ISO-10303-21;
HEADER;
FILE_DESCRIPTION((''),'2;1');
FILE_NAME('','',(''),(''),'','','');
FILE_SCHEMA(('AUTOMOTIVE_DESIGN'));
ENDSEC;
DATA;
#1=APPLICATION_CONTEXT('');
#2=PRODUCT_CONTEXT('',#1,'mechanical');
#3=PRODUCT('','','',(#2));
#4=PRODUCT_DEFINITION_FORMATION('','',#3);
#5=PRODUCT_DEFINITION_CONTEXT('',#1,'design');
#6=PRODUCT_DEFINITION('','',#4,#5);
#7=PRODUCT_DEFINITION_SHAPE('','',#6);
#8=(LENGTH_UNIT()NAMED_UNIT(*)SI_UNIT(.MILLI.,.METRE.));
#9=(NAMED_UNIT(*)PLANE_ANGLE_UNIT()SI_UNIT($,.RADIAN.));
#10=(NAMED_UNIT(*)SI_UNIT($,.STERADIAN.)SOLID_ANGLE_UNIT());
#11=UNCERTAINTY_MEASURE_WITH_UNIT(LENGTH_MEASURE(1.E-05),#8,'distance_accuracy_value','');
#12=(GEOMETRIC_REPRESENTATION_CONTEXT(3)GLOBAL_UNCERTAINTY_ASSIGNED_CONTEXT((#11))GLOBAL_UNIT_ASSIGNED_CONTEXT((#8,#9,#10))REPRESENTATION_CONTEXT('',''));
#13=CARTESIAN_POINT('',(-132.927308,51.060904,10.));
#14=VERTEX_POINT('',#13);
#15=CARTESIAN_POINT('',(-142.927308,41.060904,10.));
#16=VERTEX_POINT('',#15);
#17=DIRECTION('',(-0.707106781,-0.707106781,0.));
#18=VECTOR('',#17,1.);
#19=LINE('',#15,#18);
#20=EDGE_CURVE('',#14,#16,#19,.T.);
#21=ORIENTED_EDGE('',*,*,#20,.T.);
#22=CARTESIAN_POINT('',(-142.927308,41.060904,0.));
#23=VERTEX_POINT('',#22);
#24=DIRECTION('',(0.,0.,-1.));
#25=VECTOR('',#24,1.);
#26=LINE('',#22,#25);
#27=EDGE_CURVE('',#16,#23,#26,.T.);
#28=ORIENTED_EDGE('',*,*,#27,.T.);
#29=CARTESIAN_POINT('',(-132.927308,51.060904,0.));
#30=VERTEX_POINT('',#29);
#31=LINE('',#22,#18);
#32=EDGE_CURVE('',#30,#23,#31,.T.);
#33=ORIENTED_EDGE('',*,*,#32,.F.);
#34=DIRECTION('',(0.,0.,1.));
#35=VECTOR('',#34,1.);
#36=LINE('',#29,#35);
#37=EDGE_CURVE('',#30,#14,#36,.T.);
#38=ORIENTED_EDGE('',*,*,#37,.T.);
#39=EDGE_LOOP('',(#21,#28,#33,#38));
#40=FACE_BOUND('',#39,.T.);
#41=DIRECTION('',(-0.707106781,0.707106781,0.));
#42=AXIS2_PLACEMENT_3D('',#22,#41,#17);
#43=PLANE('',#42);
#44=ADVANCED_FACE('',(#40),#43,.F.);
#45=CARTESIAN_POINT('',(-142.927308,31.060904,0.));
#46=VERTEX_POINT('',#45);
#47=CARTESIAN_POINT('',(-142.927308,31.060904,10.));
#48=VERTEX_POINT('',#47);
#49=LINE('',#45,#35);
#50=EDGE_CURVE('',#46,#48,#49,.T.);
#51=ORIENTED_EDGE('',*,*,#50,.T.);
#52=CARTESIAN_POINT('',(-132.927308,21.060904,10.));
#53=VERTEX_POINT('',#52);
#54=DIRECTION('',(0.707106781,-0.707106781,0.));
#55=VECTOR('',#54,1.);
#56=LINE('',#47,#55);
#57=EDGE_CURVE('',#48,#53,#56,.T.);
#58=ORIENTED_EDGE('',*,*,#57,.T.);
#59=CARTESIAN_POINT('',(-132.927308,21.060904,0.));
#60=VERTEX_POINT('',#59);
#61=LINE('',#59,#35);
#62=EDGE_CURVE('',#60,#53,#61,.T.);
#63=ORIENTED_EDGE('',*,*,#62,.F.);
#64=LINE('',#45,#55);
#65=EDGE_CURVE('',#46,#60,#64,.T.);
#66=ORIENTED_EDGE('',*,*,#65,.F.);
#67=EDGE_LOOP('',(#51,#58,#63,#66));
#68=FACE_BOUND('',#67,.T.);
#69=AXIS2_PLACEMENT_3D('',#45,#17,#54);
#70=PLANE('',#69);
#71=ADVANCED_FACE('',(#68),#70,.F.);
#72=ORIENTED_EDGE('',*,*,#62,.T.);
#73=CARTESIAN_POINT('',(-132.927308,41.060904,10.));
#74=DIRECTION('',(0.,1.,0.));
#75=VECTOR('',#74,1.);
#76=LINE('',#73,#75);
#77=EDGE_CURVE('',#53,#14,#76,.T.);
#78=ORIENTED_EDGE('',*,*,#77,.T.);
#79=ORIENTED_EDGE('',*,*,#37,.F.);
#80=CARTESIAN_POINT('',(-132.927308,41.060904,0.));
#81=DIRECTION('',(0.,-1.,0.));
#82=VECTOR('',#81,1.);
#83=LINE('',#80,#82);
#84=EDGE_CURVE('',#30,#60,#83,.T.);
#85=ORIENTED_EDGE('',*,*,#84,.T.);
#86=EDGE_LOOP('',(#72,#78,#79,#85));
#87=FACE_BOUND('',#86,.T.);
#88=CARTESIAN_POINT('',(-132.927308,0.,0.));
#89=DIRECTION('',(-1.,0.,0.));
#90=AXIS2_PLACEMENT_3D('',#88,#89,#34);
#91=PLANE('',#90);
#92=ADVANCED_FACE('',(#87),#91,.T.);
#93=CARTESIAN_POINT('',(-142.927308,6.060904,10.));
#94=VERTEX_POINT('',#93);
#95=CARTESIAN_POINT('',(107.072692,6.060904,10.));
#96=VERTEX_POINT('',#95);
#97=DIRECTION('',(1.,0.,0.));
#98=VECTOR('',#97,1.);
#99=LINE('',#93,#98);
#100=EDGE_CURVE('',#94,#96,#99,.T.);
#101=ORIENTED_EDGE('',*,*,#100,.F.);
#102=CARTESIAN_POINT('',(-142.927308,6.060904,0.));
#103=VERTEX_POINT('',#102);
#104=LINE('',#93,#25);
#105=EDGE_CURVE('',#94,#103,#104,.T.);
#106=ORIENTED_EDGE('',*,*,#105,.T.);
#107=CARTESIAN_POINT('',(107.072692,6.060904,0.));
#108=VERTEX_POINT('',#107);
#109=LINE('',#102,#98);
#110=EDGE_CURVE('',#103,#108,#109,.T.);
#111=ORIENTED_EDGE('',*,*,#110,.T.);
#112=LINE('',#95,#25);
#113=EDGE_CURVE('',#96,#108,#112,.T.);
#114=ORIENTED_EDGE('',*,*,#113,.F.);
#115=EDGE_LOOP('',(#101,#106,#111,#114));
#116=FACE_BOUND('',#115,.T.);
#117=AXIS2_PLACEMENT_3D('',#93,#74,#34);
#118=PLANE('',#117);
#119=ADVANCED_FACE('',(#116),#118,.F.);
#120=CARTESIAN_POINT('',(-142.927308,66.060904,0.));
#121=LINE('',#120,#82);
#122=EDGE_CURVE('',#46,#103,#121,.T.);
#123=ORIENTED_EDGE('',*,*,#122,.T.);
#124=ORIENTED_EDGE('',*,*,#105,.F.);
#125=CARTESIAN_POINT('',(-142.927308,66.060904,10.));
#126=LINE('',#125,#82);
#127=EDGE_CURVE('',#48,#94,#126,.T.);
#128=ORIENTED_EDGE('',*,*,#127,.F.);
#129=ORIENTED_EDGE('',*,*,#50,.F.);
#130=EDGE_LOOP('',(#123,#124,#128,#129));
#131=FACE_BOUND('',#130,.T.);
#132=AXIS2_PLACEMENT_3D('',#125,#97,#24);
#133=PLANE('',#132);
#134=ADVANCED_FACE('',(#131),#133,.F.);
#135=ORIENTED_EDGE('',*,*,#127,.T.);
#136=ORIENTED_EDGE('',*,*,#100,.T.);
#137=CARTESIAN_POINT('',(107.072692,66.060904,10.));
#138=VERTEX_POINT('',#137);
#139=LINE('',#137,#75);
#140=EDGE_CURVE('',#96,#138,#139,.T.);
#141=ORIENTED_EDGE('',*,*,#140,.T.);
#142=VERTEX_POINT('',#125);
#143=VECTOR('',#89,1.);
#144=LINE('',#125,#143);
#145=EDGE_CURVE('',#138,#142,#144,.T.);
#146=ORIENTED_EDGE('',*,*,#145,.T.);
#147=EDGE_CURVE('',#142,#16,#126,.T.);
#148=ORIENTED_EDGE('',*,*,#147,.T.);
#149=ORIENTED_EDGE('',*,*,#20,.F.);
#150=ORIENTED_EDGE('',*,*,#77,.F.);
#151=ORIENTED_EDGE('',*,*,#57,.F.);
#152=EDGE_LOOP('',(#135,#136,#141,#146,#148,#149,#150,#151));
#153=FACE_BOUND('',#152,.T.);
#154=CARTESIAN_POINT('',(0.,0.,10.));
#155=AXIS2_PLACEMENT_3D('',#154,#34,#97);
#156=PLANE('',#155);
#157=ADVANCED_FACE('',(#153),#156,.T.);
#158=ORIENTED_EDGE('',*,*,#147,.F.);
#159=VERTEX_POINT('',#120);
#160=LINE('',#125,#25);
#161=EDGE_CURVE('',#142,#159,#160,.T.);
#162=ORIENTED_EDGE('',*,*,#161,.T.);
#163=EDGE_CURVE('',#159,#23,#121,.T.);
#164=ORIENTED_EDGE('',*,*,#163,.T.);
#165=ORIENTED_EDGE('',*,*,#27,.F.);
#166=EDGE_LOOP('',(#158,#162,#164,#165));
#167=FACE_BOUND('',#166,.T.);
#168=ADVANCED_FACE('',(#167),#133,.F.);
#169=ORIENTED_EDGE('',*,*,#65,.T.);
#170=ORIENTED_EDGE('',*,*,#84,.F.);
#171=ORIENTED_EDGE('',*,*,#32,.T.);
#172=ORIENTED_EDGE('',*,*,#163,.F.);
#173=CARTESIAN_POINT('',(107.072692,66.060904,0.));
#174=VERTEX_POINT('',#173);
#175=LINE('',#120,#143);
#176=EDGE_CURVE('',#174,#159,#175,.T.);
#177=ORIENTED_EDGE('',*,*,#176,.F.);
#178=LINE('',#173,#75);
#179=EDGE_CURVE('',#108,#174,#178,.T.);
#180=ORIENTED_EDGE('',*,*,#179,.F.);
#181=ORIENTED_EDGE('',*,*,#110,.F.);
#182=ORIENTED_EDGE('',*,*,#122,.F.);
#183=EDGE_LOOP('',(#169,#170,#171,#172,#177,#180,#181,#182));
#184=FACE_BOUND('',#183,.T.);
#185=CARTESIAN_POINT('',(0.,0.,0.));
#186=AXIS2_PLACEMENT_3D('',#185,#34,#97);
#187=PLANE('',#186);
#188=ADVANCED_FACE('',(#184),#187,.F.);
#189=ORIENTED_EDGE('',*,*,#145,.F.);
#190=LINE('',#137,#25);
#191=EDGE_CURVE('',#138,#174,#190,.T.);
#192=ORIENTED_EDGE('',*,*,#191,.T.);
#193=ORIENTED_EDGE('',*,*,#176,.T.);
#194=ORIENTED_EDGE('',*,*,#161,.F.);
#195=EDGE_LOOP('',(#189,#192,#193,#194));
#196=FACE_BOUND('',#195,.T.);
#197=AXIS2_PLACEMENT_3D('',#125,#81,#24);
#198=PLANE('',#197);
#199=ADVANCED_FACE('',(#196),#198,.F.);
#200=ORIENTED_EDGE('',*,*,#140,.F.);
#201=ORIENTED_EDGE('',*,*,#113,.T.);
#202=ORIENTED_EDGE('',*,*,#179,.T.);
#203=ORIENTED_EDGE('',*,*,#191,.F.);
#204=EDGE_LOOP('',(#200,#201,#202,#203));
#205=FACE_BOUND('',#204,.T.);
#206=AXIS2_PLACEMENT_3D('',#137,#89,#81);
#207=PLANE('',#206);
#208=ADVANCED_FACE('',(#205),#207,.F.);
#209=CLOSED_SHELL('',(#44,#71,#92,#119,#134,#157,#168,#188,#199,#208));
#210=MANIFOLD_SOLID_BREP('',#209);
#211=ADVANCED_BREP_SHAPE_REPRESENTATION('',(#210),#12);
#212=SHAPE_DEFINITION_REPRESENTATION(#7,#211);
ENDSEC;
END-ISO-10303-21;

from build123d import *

# Parameters (mm, degrees)
SKETCH_1_W          = 250
SKETCH_1_H          = 60
EXTRUDE_1_DEPTH     = 10
SKETCH_8_W          = 10
SKETCH_8_H          = 10
CUT_EXTRUDE_3_DEPTH = 10
CUT_EXTRUDE_4_DEPTH = 10
CUT_EXTRUDE_5_DEPTH = 10


with BuildPart() as part:
    # 草图1 → 凸台-拉伸1 (new body)
    with BuildSketch(Plane.XY):
        with Locations((-17.927308448, 36.060903733)):
            Rectangle(SKETCH_1_W, SKETCH_1_H)
    extrude(amount=EXTRUDE_1_DEPTH)

    # 草图8 → 切除-拉伸3 (cut)
    with BuildSketch(Plane.ZY.offset(142.927308448)):
        with Locations((5, 36.060903733)):
            Rectangle(SKETCH_8_W, SKETCH_8_H)
    extrude(amount=-CUT_EXTRUDE_3_DEPTH, mode=Mode.SUBTRACT)

    # 草图9 → 切除-拉伸4 (cut)
    with BuildSketch(Plane.XY.offset(10)):
        Polygon((-142.927308448, 41.060903733), (-132.927308448, 51.060903733), (-132.927308448, 41.060903733), align=None)
    extrude(amount=-CUT_EXTRUDE_4_DEPTH, mode=Mode.SUBTRACT)

    # 草图10 → 切除-拉伸5 (cut)
    with BuildSketch(Plane.XY.offset(10)):
        Polygon((-142.927308448, 31.060903733), (-132.927308448, 21.060903733), (-132.927308448, 31.060903733), align=None)
    extrude(amount=-CUT_EXTRUDE_5_DEPTH, mode=Mode.SUBTRACT)


solid = part.part
